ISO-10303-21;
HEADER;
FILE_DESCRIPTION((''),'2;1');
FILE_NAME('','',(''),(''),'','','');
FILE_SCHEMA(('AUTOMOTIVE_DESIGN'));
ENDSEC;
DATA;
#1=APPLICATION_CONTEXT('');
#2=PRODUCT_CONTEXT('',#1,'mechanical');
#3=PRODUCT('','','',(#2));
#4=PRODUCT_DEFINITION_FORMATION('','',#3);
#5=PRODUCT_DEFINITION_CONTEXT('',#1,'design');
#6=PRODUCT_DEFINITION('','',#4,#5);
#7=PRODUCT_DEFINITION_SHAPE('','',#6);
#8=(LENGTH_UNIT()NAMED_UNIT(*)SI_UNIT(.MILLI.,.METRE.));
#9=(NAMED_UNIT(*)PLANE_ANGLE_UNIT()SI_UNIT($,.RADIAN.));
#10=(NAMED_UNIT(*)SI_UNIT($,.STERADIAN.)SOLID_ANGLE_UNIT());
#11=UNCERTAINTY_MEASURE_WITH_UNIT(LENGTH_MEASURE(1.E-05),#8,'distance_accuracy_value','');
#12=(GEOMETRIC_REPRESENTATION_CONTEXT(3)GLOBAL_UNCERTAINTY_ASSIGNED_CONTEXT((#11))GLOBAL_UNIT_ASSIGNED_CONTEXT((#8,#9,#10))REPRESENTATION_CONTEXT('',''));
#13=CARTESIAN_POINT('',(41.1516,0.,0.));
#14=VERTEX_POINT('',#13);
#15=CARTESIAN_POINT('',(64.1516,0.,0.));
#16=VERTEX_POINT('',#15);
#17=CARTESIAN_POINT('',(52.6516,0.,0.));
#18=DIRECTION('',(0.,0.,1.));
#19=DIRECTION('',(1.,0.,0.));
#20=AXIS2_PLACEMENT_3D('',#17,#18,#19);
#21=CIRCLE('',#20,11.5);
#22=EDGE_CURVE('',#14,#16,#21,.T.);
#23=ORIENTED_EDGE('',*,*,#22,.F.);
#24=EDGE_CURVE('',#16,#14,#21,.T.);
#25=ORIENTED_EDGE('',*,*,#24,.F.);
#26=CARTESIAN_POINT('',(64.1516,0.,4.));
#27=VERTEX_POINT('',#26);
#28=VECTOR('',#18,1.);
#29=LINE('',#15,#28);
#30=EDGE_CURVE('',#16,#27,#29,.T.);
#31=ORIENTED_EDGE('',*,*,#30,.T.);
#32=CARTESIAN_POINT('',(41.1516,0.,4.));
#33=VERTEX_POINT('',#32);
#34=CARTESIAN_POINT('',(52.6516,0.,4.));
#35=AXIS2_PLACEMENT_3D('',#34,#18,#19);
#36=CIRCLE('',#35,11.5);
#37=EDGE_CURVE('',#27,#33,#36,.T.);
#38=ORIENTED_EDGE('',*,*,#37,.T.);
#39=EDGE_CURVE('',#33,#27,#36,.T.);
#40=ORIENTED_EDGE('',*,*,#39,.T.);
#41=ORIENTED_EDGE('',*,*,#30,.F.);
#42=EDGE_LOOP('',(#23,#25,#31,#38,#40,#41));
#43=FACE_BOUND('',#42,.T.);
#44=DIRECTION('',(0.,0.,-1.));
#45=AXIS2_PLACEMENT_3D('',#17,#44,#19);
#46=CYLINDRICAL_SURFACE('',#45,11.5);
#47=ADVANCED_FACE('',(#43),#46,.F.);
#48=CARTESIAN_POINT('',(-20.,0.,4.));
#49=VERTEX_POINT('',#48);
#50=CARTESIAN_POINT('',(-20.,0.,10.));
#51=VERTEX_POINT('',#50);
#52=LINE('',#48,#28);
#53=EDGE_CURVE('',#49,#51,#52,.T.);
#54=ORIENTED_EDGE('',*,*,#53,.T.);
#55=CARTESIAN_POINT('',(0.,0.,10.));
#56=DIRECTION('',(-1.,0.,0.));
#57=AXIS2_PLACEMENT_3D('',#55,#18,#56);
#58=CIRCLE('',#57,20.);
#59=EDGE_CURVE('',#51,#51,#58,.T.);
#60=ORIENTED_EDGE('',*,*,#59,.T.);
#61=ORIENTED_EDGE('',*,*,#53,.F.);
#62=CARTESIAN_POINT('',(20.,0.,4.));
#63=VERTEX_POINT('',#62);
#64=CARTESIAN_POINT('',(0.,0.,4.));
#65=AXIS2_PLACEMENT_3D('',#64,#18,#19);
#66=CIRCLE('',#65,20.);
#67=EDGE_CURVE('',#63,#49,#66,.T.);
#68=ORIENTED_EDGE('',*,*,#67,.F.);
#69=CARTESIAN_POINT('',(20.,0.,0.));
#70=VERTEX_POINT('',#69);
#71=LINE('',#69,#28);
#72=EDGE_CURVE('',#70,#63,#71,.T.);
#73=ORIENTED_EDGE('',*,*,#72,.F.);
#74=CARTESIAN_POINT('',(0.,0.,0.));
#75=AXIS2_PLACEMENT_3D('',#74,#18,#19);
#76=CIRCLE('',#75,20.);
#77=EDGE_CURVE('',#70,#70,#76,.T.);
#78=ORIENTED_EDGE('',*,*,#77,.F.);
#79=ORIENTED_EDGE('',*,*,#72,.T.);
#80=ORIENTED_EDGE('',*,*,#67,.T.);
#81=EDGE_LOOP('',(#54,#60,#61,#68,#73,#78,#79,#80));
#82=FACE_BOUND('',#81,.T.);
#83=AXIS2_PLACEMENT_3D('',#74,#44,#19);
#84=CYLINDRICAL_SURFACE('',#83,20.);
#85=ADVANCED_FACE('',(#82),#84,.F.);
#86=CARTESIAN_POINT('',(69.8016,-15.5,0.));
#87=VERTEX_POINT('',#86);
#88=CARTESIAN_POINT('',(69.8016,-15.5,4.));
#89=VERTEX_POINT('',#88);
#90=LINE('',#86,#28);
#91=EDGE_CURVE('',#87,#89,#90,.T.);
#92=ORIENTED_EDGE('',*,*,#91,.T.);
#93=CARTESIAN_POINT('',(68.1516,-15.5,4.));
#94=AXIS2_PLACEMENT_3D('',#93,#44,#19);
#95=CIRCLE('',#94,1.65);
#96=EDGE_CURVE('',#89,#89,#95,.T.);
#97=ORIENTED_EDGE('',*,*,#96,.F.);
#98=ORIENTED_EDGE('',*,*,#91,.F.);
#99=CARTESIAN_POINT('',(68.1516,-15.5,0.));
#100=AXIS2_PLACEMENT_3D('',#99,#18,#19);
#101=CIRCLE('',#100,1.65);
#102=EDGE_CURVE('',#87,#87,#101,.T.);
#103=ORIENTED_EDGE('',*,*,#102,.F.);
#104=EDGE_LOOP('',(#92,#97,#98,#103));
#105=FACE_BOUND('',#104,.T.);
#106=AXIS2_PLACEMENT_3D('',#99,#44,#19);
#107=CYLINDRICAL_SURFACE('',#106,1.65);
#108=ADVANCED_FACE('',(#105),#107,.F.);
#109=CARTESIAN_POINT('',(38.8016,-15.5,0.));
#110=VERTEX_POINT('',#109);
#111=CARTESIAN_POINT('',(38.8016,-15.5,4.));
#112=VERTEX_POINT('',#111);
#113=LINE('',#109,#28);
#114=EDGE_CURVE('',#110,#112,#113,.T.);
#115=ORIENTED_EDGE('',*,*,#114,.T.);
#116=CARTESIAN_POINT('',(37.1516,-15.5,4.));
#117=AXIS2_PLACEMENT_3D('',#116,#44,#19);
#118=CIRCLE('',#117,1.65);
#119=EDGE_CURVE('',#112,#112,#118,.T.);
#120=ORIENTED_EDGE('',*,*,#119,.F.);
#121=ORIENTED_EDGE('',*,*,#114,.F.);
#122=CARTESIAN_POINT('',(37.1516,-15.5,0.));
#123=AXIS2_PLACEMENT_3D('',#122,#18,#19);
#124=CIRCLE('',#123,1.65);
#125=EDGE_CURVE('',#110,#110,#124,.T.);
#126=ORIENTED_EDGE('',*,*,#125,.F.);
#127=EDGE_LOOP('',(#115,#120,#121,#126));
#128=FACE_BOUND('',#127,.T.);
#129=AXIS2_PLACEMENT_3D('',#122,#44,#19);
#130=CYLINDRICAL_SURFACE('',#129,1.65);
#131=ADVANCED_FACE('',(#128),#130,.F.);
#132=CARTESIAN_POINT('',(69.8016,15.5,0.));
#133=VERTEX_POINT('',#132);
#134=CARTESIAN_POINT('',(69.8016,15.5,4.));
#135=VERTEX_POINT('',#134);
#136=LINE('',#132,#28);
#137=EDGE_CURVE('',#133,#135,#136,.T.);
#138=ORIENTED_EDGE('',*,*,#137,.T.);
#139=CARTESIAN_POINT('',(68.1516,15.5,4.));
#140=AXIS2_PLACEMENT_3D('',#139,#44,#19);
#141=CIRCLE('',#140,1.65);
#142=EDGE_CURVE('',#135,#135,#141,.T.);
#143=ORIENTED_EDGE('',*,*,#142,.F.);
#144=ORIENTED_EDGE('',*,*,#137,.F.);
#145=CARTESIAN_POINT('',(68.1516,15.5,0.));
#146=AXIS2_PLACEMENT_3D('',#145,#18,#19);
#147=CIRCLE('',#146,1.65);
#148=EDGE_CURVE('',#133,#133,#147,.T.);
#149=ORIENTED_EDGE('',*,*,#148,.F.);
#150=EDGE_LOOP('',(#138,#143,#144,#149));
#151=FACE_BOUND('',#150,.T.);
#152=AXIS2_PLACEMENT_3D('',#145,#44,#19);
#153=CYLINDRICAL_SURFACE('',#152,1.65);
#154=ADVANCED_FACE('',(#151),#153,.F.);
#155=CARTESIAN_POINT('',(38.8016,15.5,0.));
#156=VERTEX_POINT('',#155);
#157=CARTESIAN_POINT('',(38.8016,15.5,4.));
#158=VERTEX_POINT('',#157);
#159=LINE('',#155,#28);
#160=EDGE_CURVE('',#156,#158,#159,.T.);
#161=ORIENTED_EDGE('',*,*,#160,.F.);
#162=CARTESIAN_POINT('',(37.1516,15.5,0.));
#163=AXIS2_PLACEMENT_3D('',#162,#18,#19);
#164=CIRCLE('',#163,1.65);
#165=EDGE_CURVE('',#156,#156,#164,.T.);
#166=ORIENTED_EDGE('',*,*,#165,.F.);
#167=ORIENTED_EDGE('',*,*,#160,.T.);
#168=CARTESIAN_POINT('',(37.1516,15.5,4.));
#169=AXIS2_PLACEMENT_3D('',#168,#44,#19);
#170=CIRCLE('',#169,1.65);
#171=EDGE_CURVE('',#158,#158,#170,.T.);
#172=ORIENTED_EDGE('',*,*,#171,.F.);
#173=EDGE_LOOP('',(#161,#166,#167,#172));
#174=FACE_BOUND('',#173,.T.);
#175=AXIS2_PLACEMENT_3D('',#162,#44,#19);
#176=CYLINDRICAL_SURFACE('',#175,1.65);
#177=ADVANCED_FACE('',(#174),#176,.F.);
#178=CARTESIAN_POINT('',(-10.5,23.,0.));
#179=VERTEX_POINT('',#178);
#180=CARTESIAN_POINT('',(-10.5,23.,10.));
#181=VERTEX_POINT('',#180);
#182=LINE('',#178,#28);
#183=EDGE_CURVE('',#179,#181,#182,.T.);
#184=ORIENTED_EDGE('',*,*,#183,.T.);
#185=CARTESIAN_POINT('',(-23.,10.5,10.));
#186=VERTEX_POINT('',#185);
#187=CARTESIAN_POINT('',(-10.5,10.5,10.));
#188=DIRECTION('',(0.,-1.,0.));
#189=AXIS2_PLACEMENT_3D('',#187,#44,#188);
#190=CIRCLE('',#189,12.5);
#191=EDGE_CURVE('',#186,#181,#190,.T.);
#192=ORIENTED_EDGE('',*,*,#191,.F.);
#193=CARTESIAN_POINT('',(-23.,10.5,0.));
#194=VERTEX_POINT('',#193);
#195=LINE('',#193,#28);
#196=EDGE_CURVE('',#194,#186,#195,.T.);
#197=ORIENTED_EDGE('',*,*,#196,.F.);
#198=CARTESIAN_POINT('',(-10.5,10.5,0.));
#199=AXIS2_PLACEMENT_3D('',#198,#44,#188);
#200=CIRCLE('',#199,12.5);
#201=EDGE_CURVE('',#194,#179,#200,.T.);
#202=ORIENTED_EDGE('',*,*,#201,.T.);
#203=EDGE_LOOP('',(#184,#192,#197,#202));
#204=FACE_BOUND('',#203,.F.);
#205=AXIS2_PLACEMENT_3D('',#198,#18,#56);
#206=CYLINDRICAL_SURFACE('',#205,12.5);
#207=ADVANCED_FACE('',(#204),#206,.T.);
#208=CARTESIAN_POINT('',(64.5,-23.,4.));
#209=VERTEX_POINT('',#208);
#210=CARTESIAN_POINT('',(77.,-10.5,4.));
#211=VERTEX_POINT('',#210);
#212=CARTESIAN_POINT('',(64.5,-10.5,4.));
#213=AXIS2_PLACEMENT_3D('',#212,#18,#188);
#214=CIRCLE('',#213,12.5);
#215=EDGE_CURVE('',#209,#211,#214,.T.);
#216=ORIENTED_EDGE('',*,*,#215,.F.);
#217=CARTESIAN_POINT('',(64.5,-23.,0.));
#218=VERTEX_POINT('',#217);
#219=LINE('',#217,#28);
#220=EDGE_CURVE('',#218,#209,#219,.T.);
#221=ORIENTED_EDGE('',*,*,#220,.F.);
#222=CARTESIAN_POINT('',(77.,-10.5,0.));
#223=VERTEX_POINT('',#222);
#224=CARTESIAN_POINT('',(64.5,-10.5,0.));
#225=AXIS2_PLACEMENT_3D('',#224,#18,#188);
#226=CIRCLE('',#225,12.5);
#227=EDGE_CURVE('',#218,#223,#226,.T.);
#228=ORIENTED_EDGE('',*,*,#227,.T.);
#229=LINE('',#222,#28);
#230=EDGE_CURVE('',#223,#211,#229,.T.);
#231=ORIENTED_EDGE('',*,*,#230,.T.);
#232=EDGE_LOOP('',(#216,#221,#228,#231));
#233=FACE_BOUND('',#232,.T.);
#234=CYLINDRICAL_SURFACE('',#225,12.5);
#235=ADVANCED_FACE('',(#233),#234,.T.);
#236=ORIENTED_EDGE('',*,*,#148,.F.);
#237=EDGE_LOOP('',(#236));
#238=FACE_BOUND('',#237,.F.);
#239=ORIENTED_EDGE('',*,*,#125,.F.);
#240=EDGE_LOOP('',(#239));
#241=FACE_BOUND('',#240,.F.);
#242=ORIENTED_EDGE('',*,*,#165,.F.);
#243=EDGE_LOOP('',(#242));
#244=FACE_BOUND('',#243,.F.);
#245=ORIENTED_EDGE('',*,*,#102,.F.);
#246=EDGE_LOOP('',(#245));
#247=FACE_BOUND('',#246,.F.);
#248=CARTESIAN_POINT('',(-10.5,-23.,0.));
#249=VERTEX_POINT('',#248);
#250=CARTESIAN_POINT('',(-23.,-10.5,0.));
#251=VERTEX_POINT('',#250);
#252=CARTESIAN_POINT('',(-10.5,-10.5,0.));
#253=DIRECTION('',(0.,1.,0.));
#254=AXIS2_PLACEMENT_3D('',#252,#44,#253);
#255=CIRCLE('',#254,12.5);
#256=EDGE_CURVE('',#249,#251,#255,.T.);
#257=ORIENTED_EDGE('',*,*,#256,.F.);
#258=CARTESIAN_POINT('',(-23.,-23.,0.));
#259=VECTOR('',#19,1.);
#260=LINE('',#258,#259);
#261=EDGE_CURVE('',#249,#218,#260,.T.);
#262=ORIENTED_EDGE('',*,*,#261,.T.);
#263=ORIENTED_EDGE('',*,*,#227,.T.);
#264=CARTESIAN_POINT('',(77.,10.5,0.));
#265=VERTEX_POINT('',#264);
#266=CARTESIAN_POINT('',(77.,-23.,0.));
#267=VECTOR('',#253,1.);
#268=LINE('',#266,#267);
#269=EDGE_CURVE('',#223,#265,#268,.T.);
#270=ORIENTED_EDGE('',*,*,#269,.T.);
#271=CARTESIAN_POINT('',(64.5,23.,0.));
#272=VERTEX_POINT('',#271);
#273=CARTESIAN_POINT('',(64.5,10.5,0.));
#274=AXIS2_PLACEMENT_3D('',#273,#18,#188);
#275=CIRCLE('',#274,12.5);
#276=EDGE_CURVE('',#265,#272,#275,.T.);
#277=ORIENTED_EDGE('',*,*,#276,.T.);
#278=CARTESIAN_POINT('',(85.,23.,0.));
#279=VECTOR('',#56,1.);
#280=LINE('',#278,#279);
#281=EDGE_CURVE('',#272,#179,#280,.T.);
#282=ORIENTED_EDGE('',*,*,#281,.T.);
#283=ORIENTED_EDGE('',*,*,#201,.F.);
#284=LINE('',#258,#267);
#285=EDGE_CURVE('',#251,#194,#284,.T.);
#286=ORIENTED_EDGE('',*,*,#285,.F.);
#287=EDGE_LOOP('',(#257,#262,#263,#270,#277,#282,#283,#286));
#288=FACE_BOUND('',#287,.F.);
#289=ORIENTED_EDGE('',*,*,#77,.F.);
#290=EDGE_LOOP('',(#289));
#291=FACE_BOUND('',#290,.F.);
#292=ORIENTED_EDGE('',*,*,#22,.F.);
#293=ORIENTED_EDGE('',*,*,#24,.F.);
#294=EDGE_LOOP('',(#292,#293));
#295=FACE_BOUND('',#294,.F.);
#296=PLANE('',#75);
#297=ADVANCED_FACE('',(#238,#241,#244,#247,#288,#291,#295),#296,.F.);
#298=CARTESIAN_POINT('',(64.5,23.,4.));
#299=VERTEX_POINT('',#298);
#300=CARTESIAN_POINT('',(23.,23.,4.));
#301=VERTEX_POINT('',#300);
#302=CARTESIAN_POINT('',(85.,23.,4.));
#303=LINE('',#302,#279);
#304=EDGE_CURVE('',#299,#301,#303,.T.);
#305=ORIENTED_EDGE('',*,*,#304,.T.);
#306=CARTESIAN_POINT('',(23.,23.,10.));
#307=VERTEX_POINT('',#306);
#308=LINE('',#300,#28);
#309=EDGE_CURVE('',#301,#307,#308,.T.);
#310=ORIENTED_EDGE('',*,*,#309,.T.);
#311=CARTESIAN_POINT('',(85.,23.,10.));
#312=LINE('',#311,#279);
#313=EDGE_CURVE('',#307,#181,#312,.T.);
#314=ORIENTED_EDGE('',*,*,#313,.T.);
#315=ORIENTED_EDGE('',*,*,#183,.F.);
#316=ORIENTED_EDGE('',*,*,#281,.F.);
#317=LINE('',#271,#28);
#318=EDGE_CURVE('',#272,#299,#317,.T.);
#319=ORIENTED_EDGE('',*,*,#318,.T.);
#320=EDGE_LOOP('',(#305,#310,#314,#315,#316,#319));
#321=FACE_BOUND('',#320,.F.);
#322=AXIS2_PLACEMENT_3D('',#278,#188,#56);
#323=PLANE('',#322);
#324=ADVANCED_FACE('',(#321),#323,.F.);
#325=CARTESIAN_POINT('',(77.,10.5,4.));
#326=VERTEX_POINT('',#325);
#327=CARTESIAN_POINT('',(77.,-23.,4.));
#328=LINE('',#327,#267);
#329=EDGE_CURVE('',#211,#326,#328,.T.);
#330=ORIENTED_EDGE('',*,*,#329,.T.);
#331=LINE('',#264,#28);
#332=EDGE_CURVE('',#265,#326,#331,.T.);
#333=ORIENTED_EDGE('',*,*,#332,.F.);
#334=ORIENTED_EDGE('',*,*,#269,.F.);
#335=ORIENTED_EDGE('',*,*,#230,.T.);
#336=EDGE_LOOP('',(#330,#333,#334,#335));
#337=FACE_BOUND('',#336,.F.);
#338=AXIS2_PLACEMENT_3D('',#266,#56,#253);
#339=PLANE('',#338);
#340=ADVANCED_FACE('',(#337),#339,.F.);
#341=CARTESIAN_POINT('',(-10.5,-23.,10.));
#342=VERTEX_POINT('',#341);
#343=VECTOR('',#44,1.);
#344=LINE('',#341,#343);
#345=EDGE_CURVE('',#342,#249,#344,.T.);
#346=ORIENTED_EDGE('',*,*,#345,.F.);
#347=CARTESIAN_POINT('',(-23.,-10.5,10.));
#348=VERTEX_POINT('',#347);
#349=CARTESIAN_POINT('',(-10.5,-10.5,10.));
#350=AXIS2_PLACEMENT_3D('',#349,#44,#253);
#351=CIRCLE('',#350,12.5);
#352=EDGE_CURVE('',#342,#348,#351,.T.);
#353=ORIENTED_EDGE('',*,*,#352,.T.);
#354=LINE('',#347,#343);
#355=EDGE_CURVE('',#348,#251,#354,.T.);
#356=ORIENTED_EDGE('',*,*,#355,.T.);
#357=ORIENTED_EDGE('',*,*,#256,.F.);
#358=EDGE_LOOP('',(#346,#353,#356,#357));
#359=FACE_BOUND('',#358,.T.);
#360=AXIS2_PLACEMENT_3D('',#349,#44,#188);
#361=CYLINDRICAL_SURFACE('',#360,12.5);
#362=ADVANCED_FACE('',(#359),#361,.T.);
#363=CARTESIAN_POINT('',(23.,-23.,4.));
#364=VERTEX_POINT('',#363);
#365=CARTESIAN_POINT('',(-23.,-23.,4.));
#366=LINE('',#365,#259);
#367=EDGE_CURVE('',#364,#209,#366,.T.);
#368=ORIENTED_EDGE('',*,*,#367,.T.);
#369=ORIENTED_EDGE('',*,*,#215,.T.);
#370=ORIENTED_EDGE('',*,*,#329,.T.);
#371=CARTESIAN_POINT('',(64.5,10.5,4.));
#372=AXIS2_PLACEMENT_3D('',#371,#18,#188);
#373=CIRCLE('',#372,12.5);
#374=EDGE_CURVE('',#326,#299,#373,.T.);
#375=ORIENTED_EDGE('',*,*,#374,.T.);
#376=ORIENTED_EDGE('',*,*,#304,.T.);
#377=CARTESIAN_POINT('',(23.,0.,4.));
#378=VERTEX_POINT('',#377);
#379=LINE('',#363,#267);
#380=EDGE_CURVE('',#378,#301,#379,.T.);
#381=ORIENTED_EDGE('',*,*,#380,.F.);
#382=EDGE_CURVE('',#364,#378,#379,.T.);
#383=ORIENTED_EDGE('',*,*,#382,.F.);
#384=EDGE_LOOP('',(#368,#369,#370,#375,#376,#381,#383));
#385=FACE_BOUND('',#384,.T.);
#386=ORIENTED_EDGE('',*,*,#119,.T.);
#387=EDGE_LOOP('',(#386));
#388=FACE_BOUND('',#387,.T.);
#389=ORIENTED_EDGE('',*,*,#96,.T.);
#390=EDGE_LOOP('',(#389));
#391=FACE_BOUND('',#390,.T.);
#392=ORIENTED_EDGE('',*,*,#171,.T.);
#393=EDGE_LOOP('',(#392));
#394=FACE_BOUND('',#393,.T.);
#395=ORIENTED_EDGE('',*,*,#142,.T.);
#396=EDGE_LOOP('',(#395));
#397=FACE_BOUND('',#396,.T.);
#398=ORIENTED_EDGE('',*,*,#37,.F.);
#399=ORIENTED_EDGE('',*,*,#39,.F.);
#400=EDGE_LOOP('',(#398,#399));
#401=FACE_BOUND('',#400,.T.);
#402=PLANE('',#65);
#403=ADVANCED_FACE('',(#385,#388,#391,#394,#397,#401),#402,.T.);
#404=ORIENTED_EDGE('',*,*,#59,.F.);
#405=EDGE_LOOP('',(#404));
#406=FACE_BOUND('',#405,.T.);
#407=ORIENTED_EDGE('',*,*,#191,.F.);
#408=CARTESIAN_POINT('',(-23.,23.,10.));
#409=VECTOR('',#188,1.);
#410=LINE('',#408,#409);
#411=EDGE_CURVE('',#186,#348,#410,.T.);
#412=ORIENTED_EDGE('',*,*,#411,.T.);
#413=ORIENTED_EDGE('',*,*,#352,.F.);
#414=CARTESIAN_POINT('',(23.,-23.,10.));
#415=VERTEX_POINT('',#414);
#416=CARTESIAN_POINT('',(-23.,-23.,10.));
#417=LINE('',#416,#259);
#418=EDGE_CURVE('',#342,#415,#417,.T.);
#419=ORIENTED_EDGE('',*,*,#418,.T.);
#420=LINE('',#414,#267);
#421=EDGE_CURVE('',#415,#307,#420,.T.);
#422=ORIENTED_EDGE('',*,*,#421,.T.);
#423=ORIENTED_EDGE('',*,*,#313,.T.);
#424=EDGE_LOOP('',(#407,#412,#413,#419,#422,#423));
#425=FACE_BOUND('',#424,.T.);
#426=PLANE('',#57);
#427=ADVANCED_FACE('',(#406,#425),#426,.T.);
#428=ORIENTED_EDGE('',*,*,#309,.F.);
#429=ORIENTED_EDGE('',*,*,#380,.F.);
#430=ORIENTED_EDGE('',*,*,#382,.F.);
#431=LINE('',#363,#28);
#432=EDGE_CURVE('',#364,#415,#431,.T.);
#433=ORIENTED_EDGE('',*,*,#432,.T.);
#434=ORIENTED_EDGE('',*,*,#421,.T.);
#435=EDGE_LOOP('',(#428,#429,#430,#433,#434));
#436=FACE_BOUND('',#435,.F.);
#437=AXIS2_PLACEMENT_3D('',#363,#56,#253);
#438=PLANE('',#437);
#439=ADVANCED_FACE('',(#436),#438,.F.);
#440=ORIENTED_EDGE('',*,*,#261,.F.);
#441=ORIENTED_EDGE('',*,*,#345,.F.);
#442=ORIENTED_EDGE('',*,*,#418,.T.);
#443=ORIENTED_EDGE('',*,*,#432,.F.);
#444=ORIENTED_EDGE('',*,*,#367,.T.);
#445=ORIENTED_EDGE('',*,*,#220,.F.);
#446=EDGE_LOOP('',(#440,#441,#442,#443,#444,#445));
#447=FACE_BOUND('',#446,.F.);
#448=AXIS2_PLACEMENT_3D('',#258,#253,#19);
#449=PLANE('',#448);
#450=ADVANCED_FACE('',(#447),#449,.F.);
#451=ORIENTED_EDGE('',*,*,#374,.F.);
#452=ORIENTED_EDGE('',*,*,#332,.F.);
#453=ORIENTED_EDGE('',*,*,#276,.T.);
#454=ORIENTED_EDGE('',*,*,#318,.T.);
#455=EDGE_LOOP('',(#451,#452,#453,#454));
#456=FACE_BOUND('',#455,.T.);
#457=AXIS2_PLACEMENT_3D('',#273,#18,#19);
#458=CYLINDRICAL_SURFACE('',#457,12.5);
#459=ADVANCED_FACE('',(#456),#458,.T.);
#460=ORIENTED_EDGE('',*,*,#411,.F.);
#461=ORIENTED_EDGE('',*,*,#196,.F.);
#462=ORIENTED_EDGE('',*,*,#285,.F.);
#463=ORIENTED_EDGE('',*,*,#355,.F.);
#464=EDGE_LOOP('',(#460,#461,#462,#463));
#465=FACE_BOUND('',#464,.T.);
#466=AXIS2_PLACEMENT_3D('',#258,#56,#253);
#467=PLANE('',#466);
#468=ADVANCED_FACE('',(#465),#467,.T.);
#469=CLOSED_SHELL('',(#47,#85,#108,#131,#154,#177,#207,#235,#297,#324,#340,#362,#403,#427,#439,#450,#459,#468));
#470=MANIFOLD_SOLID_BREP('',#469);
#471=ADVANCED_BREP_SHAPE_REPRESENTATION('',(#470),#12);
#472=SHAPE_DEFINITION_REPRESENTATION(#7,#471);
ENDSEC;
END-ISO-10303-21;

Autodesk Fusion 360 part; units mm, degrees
sketch "Skizze1" plane through (0, 0, 0) normal (0, 0, 1) x (1, 0, 0)
  circle A0 centre (0, 0) radius 20
  line L0 (85, 23) -> (-23, 23)
  line L1 (-23, -23) -> (85, -23)
  line L2 (85, -23) -> (85, 23)
  line L3 (85, 23) -> (-23, -6.2235) construction
  line L4 (-23, 6.2235) -> (85, -23) construction
  line L5 (-23, -23) -> (-23, 23)
  line L6 (37.1516, -15.5) -> (68.1516, 15.5) construction
  line L7 (68.1516, -15.5) -> (37.1516, 15.5) construction
  circle A1 centre (37.1516, 15.5) radius 1.65
  circle A2 centre (37.1516, -15.5) radius 1.65
  circle A3 centre (68.1516, -15.5) radius 1.65
  circle A4 centre (68.1516, 15.5) radius 1.65
  circle A5 centre (52.6516, 0) radius 11.5
  line L8 (68.1516, 15.5) -> (66.5016, 15.5)
  line L9 (38.8016, 15.5) -> (37.1516, 15.5)
  line L10 (68.1516, -15.5) -> (68.1516, -13.85)
  line L11 (68.1516, 13.85) -> (68.1516, 15.5)
  line L12 (37.1516, -15.5) -> (38.8016, -15.5)
  line L13 (66.5016, -15.5) -> (68.1516, -15.5)
  line L14 (37.1516, 15.5) -> (37.1516, 13.85)
  line L15 (37.1516, -13.85) -> (37.1516, -15.5)
  line L16 (20, 0) -> (64, 0)
  point P0 (52.6516, 0)
  dimension "d1" = 31
  dimension "d2" = 31
  dimension "d3" = 3.3
  dimension "d4" = 3.3
  dimension "d5" = 3.3
  dimension "d6" = 3.3
  dimension "d7" = 23
extrude "Extrusion1" add sketch "Skizze1" along normal blind 4
sketch "Skizze2" plane through (0, 0, 4) normal (0, 0, 1) x (-1, 0, 0)
  circle A0 centre (-37.1516, 15.5) radius 1.65
  circle A1 centre (0, 0) radius 20
  circle A2 centre (-68.1516, 15.5) radius 1.65
  circle A3 centre (-37.1516, -15.5) radius 1.65
  circle A4 centre (-68.1516, -15.5) radius 1.65
  circle A5 centre (-52.6516, 0) radius 11.5
  line L0 (-85, 23) -> (-85, -23)
  line L1 (-85, -23) -> (23, -23)
  line L2 (23, -23) -> (23, 23)
  line L3 (23, 23) -> (-85, 23)
  line L4 (23, 23) -> (-23, 23)
  line L5 (-23, 23) -> (-23, -23)
  line L6 (-23, -23) -> (23, -23)
  line L7 (23, -23) -> (23, 23)
  line L8 (23, 23) -> (-23, -23) construction
  line L9 (-23, 23) -> (23, -23) construction
extrude "Extrusion2" add sketch "Skizze2" along normal blind 6 contours L1 L2 L3 L4 L5 L6 L7
extrude "Extrusion3" cut 1 faces at (85, -7.6667, 1.3333) along direction (-1, 0, 0) blind 8
fillet "Abrundung1" radius 12.5 4 edges at (-23, 23, 5) (-23, -23, 5) (77, 23, 2) (77, -23, 2)
